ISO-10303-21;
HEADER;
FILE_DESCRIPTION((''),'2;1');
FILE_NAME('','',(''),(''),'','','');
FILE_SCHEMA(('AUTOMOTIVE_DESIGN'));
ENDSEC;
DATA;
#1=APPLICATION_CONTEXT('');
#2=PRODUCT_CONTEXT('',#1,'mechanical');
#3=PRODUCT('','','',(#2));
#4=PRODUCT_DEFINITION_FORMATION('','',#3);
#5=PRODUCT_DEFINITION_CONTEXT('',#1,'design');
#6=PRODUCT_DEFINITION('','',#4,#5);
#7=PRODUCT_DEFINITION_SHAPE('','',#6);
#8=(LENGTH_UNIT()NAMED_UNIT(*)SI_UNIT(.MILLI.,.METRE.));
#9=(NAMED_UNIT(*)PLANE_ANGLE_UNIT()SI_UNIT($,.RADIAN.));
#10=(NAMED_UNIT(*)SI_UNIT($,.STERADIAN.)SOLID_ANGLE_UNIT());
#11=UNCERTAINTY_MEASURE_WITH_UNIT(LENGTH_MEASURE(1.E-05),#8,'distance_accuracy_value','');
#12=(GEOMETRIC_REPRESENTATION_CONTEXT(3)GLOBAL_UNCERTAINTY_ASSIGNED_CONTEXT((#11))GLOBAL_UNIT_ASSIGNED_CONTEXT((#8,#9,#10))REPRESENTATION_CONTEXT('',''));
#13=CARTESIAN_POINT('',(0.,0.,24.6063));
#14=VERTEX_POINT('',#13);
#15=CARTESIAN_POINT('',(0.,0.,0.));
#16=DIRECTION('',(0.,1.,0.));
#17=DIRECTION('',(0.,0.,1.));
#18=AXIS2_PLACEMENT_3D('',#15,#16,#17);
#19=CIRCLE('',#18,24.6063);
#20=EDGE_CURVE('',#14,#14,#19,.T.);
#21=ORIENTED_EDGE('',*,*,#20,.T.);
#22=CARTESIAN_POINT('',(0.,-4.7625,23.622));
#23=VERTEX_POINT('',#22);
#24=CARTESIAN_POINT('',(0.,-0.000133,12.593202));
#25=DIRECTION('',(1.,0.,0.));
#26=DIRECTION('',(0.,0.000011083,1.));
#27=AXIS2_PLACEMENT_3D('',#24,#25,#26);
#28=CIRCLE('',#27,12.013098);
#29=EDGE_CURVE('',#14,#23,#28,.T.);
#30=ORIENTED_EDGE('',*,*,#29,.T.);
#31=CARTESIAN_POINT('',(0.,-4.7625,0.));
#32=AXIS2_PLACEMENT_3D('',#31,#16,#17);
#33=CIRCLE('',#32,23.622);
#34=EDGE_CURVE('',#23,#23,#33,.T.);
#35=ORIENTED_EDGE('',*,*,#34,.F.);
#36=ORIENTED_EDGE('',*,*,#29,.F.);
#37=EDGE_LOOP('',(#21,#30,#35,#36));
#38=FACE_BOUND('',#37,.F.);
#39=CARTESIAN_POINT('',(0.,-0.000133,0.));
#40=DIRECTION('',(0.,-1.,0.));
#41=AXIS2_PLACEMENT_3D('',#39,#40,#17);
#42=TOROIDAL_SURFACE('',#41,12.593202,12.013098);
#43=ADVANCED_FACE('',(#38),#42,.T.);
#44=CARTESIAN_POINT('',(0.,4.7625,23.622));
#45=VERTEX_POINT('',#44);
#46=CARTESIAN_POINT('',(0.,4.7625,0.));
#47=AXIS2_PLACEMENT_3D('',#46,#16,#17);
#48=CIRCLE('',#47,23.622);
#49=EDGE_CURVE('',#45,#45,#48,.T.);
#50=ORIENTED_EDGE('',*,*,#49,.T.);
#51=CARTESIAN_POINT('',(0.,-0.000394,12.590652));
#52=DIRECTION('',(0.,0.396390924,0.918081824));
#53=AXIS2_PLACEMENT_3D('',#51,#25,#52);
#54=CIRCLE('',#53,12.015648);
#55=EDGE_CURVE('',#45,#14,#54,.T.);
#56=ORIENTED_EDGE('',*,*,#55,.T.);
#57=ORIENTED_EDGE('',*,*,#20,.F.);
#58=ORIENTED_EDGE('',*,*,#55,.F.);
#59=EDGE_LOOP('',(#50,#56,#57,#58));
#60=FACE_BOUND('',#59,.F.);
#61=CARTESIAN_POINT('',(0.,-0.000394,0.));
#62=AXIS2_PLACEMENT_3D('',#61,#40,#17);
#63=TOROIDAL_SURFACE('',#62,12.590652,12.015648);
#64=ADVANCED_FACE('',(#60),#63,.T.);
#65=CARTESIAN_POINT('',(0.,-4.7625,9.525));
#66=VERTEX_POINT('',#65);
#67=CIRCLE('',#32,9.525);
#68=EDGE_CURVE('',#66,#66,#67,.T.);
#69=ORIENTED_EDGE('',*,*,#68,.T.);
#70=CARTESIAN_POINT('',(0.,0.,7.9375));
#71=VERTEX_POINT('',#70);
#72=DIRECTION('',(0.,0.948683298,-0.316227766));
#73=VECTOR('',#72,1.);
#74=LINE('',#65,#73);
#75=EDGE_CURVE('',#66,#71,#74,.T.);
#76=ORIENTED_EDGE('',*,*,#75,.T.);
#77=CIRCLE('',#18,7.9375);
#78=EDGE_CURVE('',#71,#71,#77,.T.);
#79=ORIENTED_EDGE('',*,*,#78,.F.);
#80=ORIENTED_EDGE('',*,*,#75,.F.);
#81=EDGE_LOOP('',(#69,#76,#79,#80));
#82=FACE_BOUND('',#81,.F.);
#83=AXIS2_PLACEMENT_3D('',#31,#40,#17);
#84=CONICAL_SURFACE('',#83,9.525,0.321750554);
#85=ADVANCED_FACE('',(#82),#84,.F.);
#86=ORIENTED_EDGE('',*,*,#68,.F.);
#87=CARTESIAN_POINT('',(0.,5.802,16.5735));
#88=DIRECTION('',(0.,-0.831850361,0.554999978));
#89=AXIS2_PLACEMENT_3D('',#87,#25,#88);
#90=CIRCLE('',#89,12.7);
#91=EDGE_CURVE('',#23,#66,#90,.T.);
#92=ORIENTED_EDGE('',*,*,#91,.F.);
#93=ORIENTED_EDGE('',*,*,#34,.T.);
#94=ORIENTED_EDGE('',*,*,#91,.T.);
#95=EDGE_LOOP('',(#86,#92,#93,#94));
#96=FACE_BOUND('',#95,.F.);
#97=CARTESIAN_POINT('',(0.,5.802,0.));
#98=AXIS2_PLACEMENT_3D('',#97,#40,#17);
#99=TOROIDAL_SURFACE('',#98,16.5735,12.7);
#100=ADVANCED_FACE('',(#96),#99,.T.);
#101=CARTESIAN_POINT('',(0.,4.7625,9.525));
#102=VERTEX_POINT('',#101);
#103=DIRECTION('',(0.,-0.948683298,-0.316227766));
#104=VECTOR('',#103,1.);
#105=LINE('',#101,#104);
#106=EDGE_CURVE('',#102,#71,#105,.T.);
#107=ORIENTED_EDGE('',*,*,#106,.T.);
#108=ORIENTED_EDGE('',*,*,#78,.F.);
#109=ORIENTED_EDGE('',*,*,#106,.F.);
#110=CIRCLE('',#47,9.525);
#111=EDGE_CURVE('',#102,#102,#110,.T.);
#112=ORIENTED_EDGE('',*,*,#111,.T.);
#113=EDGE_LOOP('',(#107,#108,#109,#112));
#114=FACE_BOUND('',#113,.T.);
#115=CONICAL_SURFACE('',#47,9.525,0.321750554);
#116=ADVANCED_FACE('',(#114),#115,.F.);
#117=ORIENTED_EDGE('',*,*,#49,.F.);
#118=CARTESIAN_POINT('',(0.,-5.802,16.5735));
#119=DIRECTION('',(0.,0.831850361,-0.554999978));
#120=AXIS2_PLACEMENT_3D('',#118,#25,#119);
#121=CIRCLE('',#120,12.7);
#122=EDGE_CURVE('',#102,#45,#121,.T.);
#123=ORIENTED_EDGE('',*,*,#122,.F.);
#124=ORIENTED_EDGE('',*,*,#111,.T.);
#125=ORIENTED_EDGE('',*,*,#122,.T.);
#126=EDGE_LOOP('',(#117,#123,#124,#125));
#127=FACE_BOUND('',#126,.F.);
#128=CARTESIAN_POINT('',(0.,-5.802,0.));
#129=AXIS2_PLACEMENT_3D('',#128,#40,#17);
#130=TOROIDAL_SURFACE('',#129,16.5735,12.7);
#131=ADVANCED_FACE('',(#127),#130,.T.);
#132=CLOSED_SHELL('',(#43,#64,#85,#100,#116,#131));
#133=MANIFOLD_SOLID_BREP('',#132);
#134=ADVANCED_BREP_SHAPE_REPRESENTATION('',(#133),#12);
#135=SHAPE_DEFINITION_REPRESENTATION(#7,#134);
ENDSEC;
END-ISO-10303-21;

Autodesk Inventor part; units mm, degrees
ref_plane "YZ Plane" through (0, 0, 0) normal (1, 0, 0) x (0, 1, 0)
ref_plane "XZ Plane" through (0, 0, 0) normal (0, 1, 0) x (-1, 0, 0)
ref_plane "XY Plane" through (0, 0, 0) normal (0, 0, 1) x (1, 0, 0)
sketch "Sketch1" plane through (0, 0, 0) normal (1, 0, 0) x (0, 1, 0)
  line L0 (0, 0) -> (0, 24.6063) construction
  arc A0 (-4.7625, 23.622) -> (-4.7625, 9.525) centre (5.802, 16.5735) ccw
  line L1 (-4.7625, 9.525) -> (0, 7.9375)
  line L2 (-9.6572, 0) -> (9.6572, 0) projected
  arc A1 (0, 24.6063) -> (-4.7625, 23.622) centre (0, 12.5919) ccw
  arc A2 (4.7625, 9.525) -> (4.7625, 23.622) centre (-5.802, 16.5735) ccw
  line L3 (4.7625, 9.525) -> (0, 7.9375)
  arc A3 (4.7625, 23.622) -> (0, 24.6063) centre (0, 12.5919) ccw
  dimension "d1" = 9.525
  dimension "d2" = 7.9375
  dimension "d4" = 4.7625
  dimension "d5" = 12.7
  dimension "d7" = 24.6062
  dimension "d8" = 4.7625
  dimension "d9" = 23.622
revolve "Revolution1" add sketch "Sketch1" angle 360 about axis through (0, -10, 0) along (0, 1, 0)
properties part number "tire"
